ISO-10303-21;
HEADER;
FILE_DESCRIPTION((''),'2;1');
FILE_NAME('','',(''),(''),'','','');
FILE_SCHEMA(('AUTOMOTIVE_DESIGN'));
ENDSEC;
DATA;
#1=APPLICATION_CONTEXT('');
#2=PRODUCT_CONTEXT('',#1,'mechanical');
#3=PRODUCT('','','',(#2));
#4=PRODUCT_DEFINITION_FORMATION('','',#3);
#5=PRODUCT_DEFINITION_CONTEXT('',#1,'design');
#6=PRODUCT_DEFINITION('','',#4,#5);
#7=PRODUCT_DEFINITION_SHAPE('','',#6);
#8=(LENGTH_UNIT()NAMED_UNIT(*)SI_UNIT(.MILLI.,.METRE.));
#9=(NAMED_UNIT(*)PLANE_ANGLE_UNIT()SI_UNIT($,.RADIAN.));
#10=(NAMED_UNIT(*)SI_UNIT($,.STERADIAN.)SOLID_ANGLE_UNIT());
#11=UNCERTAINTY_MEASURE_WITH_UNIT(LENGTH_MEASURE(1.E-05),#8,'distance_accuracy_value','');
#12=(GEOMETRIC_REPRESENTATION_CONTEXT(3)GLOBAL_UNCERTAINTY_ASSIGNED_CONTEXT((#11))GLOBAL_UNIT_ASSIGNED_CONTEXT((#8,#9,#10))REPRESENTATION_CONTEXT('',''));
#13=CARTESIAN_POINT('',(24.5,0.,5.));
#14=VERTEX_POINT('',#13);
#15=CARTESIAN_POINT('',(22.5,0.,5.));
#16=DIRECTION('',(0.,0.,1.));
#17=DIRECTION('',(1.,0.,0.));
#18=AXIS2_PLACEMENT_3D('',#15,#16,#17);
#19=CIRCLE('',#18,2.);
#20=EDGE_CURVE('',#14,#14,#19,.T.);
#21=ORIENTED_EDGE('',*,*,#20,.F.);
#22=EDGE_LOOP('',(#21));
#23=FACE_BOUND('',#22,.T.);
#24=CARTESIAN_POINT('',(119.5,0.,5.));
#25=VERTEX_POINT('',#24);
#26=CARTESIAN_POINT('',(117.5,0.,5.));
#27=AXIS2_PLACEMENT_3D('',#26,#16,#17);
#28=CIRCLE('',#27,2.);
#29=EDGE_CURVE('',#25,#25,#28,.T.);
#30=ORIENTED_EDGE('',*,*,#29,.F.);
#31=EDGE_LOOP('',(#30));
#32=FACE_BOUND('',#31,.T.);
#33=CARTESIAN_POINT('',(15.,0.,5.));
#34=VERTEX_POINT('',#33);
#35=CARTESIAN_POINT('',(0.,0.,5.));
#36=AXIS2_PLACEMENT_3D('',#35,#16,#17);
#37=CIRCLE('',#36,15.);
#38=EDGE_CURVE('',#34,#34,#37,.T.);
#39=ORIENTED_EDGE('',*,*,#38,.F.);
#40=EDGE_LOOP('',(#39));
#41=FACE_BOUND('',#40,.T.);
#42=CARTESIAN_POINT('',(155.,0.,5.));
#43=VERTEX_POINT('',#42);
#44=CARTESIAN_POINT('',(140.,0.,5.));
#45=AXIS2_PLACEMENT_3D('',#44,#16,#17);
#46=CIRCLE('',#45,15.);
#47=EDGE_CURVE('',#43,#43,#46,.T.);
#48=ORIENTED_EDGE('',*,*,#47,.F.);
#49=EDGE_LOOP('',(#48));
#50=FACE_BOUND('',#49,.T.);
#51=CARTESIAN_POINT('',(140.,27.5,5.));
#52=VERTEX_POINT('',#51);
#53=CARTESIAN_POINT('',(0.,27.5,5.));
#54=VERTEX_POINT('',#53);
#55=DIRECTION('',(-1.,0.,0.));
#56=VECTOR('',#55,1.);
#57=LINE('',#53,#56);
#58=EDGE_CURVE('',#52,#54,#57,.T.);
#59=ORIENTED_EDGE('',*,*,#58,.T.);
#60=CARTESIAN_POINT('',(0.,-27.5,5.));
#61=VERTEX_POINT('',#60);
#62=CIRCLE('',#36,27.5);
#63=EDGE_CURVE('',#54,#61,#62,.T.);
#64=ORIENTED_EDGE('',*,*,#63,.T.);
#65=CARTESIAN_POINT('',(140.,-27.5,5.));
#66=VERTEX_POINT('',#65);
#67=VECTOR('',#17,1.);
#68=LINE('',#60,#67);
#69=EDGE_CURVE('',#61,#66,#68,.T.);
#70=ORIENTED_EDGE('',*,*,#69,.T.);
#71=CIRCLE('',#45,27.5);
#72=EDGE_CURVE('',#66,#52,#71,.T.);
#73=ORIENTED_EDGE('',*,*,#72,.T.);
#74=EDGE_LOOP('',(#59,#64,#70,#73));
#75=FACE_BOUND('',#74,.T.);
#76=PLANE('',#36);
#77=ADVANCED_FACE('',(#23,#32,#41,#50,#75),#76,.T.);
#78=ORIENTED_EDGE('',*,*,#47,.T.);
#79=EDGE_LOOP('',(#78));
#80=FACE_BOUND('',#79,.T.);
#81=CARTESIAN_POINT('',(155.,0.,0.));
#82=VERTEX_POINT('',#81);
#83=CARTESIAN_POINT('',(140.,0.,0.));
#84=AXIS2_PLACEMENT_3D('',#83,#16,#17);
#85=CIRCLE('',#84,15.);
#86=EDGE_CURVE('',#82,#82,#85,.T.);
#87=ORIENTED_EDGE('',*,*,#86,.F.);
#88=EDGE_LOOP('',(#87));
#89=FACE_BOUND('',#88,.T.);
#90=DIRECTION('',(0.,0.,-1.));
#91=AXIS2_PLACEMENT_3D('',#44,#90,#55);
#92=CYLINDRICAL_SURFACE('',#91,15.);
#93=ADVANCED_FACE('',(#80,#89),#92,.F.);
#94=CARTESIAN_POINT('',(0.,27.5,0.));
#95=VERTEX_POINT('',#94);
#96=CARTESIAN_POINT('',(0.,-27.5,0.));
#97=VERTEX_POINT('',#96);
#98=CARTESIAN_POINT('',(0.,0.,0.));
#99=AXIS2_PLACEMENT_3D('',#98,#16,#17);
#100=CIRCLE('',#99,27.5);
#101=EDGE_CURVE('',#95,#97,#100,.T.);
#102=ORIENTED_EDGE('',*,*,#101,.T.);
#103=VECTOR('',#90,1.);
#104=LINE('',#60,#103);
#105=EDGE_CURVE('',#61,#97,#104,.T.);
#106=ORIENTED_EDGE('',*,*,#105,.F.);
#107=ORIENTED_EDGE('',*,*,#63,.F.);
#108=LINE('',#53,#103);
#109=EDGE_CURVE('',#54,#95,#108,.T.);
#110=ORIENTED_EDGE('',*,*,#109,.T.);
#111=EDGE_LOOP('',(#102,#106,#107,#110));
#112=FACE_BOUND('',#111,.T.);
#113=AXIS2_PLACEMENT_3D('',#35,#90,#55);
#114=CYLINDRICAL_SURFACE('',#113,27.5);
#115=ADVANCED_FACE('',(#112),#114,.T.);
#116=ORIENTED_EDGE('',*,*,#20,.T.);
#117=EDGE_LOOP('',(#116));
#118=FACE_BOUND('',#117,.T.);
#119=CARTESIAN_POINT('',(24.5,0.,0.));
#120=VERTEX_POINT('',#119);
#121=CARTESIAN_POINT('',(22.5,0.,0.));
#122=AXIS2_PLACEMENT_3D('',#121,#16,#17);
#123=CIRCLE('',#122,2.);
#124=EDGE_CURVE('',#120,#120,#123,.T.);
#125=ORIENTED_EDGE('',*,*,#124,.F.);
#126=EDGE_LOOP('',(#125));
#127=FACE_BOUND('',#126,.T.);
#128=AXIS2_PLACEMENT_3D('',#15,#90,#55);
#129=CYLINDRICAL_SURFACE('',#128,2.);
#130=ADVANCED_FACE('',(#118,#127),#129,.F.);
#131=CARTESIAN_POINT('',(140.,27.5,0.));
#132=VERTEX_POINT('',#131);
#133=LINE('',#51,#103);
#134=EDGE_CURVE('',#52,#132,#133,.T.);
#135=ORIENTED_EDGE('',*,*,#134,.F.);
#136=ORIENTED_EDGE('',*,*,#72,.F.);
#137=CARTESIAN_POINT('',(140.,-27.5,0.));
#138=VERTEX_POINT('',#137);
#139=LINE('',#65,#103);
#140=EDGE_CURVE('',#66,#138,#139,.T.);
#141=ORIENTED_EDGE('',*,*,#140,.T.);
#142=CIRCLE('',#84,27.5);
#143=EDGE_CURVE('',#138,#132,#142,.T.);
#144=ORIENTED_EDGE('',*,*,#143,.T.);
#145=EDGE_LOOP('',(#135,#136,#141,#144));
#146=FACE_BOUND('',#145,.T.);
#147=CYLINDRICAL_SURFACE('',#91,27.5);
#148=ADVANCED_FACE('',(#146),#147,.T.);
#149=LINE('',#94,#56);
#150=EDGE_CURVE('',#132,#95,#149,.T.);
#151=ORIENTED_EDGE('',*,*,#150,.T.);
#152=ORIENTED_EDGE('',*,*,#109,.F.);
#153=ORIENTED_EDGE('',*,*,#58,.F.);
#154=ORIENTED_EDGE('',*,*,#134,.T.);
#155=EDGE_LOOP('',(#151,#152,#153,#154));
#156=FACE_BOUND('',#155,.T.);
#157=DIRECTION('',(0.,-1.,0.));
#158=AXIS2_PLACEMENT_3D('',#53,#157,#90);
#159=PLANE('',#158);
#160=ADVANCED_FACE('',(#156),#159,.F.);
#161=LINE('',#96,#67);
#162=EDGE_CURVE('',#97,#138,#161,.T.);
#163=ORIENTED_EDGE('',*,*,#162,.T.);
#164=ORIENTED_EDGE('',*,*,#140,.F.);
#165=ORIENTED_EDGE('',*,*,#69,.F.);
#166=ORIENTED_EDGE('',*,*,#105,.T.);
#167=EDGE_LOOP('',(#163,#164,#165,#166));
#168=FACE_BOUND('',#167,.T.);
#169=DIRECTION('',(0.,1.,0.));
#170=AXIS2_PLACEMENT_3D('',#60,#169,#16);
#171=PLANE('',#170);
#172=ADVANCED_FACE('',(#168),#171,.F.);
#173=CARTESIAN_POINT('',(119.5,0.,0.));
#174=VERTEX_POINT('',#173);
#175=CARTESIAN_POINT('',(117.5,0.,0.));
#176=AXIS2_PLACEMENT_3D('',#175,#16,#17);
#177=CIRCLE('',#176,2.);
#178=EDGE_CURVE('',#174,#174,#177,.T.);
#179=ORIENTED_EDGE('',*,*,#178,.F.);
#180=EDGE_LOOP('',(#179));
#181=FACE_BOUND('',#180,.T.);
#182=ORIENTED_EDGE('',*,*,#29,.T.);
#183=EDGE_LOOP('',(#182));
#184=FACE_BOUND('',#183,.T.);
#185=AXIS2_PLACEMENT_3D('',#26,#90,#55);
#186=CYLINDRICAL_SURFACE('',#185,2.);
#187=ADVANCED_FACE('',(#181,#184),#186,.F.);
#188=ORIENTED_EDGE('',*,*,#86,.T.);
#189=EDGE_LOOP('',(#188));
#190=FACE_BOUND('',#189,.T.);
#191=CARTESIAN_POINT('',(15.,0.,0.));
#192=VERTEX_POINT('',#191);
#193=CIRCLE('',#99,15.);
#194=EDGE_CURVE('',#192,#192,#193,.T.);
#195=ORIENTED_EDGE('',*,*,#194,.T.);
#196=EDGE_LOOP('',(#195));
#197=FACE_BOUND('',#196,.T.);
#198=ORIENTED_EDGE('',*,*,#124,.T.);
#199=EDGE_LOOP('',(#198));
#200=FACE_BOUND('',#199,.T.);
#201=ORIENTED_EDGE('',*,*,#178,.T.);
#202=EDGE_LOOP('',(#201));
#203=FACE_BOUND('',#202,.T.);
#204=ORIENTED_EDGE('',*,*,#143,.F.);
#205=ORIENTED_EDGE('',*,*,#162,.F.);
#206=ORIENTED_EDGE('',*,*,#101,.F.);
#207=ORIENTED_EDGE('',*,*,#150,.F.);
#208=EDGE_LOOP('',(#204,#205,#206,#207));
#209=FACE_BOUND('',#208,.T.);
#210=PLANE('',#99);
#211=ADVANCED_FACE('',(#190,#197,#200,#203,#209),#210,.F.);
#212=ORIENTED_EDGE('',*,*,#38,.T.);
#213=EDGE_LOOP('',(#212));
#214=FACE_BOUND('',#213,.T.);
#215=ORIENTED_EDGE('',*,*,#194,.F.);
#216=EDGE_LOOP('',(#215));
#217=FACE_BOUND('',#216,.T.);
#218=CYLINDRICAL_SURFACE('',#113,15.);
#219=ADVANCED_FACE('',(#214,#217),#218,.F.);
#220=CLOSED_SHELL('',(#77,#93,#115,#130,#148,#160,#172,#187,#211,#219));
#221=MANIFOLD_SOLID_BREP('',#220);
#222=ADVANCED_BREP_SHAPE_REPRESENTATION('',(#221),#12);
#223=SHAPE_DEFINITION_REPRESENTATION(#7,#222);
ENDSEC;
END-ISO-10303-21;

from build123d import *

# Parameters (mm, degrees)
SKETCH_1_R      = 15
SKETCH_1_R_2    = 2
EXTRUDE_1_DEPTH = 5


with BuildPart() as part:
    # 草图1 → 凸台-拉伸1 (new body)
    with BuildSketch(Plane.XY):
        with BuildLine():
            Line((0, 27.5), (140, 27.5))
            ThreePointArc((140, 27.5), (167.5, 0), (140, -27.5))
            Line((140, -27.5), (0, -27.5))
            ThreePointArc((0, -27.5), (-27.5, 0), (0, 27.5))
        make_face()
        Circle(SKETCH_1_R, mode=Mode.SUBTRACT)
        with Locations((140, 0)):
            Circle(SKETCH_1_R, mode=Mode.SUBTRACT)
        with Locations((22.5, 0)):
            Circle(SKETCH_1_R_2, mode=Mode.SUBTRACT)
        with Locations((117.5, 0)):
            Circle(SKETCH_1_R_2, mode=Mode.SUBTRACT)
    extrude(amount=EXTRUDE_1_DEPTH)


solid = part.part
